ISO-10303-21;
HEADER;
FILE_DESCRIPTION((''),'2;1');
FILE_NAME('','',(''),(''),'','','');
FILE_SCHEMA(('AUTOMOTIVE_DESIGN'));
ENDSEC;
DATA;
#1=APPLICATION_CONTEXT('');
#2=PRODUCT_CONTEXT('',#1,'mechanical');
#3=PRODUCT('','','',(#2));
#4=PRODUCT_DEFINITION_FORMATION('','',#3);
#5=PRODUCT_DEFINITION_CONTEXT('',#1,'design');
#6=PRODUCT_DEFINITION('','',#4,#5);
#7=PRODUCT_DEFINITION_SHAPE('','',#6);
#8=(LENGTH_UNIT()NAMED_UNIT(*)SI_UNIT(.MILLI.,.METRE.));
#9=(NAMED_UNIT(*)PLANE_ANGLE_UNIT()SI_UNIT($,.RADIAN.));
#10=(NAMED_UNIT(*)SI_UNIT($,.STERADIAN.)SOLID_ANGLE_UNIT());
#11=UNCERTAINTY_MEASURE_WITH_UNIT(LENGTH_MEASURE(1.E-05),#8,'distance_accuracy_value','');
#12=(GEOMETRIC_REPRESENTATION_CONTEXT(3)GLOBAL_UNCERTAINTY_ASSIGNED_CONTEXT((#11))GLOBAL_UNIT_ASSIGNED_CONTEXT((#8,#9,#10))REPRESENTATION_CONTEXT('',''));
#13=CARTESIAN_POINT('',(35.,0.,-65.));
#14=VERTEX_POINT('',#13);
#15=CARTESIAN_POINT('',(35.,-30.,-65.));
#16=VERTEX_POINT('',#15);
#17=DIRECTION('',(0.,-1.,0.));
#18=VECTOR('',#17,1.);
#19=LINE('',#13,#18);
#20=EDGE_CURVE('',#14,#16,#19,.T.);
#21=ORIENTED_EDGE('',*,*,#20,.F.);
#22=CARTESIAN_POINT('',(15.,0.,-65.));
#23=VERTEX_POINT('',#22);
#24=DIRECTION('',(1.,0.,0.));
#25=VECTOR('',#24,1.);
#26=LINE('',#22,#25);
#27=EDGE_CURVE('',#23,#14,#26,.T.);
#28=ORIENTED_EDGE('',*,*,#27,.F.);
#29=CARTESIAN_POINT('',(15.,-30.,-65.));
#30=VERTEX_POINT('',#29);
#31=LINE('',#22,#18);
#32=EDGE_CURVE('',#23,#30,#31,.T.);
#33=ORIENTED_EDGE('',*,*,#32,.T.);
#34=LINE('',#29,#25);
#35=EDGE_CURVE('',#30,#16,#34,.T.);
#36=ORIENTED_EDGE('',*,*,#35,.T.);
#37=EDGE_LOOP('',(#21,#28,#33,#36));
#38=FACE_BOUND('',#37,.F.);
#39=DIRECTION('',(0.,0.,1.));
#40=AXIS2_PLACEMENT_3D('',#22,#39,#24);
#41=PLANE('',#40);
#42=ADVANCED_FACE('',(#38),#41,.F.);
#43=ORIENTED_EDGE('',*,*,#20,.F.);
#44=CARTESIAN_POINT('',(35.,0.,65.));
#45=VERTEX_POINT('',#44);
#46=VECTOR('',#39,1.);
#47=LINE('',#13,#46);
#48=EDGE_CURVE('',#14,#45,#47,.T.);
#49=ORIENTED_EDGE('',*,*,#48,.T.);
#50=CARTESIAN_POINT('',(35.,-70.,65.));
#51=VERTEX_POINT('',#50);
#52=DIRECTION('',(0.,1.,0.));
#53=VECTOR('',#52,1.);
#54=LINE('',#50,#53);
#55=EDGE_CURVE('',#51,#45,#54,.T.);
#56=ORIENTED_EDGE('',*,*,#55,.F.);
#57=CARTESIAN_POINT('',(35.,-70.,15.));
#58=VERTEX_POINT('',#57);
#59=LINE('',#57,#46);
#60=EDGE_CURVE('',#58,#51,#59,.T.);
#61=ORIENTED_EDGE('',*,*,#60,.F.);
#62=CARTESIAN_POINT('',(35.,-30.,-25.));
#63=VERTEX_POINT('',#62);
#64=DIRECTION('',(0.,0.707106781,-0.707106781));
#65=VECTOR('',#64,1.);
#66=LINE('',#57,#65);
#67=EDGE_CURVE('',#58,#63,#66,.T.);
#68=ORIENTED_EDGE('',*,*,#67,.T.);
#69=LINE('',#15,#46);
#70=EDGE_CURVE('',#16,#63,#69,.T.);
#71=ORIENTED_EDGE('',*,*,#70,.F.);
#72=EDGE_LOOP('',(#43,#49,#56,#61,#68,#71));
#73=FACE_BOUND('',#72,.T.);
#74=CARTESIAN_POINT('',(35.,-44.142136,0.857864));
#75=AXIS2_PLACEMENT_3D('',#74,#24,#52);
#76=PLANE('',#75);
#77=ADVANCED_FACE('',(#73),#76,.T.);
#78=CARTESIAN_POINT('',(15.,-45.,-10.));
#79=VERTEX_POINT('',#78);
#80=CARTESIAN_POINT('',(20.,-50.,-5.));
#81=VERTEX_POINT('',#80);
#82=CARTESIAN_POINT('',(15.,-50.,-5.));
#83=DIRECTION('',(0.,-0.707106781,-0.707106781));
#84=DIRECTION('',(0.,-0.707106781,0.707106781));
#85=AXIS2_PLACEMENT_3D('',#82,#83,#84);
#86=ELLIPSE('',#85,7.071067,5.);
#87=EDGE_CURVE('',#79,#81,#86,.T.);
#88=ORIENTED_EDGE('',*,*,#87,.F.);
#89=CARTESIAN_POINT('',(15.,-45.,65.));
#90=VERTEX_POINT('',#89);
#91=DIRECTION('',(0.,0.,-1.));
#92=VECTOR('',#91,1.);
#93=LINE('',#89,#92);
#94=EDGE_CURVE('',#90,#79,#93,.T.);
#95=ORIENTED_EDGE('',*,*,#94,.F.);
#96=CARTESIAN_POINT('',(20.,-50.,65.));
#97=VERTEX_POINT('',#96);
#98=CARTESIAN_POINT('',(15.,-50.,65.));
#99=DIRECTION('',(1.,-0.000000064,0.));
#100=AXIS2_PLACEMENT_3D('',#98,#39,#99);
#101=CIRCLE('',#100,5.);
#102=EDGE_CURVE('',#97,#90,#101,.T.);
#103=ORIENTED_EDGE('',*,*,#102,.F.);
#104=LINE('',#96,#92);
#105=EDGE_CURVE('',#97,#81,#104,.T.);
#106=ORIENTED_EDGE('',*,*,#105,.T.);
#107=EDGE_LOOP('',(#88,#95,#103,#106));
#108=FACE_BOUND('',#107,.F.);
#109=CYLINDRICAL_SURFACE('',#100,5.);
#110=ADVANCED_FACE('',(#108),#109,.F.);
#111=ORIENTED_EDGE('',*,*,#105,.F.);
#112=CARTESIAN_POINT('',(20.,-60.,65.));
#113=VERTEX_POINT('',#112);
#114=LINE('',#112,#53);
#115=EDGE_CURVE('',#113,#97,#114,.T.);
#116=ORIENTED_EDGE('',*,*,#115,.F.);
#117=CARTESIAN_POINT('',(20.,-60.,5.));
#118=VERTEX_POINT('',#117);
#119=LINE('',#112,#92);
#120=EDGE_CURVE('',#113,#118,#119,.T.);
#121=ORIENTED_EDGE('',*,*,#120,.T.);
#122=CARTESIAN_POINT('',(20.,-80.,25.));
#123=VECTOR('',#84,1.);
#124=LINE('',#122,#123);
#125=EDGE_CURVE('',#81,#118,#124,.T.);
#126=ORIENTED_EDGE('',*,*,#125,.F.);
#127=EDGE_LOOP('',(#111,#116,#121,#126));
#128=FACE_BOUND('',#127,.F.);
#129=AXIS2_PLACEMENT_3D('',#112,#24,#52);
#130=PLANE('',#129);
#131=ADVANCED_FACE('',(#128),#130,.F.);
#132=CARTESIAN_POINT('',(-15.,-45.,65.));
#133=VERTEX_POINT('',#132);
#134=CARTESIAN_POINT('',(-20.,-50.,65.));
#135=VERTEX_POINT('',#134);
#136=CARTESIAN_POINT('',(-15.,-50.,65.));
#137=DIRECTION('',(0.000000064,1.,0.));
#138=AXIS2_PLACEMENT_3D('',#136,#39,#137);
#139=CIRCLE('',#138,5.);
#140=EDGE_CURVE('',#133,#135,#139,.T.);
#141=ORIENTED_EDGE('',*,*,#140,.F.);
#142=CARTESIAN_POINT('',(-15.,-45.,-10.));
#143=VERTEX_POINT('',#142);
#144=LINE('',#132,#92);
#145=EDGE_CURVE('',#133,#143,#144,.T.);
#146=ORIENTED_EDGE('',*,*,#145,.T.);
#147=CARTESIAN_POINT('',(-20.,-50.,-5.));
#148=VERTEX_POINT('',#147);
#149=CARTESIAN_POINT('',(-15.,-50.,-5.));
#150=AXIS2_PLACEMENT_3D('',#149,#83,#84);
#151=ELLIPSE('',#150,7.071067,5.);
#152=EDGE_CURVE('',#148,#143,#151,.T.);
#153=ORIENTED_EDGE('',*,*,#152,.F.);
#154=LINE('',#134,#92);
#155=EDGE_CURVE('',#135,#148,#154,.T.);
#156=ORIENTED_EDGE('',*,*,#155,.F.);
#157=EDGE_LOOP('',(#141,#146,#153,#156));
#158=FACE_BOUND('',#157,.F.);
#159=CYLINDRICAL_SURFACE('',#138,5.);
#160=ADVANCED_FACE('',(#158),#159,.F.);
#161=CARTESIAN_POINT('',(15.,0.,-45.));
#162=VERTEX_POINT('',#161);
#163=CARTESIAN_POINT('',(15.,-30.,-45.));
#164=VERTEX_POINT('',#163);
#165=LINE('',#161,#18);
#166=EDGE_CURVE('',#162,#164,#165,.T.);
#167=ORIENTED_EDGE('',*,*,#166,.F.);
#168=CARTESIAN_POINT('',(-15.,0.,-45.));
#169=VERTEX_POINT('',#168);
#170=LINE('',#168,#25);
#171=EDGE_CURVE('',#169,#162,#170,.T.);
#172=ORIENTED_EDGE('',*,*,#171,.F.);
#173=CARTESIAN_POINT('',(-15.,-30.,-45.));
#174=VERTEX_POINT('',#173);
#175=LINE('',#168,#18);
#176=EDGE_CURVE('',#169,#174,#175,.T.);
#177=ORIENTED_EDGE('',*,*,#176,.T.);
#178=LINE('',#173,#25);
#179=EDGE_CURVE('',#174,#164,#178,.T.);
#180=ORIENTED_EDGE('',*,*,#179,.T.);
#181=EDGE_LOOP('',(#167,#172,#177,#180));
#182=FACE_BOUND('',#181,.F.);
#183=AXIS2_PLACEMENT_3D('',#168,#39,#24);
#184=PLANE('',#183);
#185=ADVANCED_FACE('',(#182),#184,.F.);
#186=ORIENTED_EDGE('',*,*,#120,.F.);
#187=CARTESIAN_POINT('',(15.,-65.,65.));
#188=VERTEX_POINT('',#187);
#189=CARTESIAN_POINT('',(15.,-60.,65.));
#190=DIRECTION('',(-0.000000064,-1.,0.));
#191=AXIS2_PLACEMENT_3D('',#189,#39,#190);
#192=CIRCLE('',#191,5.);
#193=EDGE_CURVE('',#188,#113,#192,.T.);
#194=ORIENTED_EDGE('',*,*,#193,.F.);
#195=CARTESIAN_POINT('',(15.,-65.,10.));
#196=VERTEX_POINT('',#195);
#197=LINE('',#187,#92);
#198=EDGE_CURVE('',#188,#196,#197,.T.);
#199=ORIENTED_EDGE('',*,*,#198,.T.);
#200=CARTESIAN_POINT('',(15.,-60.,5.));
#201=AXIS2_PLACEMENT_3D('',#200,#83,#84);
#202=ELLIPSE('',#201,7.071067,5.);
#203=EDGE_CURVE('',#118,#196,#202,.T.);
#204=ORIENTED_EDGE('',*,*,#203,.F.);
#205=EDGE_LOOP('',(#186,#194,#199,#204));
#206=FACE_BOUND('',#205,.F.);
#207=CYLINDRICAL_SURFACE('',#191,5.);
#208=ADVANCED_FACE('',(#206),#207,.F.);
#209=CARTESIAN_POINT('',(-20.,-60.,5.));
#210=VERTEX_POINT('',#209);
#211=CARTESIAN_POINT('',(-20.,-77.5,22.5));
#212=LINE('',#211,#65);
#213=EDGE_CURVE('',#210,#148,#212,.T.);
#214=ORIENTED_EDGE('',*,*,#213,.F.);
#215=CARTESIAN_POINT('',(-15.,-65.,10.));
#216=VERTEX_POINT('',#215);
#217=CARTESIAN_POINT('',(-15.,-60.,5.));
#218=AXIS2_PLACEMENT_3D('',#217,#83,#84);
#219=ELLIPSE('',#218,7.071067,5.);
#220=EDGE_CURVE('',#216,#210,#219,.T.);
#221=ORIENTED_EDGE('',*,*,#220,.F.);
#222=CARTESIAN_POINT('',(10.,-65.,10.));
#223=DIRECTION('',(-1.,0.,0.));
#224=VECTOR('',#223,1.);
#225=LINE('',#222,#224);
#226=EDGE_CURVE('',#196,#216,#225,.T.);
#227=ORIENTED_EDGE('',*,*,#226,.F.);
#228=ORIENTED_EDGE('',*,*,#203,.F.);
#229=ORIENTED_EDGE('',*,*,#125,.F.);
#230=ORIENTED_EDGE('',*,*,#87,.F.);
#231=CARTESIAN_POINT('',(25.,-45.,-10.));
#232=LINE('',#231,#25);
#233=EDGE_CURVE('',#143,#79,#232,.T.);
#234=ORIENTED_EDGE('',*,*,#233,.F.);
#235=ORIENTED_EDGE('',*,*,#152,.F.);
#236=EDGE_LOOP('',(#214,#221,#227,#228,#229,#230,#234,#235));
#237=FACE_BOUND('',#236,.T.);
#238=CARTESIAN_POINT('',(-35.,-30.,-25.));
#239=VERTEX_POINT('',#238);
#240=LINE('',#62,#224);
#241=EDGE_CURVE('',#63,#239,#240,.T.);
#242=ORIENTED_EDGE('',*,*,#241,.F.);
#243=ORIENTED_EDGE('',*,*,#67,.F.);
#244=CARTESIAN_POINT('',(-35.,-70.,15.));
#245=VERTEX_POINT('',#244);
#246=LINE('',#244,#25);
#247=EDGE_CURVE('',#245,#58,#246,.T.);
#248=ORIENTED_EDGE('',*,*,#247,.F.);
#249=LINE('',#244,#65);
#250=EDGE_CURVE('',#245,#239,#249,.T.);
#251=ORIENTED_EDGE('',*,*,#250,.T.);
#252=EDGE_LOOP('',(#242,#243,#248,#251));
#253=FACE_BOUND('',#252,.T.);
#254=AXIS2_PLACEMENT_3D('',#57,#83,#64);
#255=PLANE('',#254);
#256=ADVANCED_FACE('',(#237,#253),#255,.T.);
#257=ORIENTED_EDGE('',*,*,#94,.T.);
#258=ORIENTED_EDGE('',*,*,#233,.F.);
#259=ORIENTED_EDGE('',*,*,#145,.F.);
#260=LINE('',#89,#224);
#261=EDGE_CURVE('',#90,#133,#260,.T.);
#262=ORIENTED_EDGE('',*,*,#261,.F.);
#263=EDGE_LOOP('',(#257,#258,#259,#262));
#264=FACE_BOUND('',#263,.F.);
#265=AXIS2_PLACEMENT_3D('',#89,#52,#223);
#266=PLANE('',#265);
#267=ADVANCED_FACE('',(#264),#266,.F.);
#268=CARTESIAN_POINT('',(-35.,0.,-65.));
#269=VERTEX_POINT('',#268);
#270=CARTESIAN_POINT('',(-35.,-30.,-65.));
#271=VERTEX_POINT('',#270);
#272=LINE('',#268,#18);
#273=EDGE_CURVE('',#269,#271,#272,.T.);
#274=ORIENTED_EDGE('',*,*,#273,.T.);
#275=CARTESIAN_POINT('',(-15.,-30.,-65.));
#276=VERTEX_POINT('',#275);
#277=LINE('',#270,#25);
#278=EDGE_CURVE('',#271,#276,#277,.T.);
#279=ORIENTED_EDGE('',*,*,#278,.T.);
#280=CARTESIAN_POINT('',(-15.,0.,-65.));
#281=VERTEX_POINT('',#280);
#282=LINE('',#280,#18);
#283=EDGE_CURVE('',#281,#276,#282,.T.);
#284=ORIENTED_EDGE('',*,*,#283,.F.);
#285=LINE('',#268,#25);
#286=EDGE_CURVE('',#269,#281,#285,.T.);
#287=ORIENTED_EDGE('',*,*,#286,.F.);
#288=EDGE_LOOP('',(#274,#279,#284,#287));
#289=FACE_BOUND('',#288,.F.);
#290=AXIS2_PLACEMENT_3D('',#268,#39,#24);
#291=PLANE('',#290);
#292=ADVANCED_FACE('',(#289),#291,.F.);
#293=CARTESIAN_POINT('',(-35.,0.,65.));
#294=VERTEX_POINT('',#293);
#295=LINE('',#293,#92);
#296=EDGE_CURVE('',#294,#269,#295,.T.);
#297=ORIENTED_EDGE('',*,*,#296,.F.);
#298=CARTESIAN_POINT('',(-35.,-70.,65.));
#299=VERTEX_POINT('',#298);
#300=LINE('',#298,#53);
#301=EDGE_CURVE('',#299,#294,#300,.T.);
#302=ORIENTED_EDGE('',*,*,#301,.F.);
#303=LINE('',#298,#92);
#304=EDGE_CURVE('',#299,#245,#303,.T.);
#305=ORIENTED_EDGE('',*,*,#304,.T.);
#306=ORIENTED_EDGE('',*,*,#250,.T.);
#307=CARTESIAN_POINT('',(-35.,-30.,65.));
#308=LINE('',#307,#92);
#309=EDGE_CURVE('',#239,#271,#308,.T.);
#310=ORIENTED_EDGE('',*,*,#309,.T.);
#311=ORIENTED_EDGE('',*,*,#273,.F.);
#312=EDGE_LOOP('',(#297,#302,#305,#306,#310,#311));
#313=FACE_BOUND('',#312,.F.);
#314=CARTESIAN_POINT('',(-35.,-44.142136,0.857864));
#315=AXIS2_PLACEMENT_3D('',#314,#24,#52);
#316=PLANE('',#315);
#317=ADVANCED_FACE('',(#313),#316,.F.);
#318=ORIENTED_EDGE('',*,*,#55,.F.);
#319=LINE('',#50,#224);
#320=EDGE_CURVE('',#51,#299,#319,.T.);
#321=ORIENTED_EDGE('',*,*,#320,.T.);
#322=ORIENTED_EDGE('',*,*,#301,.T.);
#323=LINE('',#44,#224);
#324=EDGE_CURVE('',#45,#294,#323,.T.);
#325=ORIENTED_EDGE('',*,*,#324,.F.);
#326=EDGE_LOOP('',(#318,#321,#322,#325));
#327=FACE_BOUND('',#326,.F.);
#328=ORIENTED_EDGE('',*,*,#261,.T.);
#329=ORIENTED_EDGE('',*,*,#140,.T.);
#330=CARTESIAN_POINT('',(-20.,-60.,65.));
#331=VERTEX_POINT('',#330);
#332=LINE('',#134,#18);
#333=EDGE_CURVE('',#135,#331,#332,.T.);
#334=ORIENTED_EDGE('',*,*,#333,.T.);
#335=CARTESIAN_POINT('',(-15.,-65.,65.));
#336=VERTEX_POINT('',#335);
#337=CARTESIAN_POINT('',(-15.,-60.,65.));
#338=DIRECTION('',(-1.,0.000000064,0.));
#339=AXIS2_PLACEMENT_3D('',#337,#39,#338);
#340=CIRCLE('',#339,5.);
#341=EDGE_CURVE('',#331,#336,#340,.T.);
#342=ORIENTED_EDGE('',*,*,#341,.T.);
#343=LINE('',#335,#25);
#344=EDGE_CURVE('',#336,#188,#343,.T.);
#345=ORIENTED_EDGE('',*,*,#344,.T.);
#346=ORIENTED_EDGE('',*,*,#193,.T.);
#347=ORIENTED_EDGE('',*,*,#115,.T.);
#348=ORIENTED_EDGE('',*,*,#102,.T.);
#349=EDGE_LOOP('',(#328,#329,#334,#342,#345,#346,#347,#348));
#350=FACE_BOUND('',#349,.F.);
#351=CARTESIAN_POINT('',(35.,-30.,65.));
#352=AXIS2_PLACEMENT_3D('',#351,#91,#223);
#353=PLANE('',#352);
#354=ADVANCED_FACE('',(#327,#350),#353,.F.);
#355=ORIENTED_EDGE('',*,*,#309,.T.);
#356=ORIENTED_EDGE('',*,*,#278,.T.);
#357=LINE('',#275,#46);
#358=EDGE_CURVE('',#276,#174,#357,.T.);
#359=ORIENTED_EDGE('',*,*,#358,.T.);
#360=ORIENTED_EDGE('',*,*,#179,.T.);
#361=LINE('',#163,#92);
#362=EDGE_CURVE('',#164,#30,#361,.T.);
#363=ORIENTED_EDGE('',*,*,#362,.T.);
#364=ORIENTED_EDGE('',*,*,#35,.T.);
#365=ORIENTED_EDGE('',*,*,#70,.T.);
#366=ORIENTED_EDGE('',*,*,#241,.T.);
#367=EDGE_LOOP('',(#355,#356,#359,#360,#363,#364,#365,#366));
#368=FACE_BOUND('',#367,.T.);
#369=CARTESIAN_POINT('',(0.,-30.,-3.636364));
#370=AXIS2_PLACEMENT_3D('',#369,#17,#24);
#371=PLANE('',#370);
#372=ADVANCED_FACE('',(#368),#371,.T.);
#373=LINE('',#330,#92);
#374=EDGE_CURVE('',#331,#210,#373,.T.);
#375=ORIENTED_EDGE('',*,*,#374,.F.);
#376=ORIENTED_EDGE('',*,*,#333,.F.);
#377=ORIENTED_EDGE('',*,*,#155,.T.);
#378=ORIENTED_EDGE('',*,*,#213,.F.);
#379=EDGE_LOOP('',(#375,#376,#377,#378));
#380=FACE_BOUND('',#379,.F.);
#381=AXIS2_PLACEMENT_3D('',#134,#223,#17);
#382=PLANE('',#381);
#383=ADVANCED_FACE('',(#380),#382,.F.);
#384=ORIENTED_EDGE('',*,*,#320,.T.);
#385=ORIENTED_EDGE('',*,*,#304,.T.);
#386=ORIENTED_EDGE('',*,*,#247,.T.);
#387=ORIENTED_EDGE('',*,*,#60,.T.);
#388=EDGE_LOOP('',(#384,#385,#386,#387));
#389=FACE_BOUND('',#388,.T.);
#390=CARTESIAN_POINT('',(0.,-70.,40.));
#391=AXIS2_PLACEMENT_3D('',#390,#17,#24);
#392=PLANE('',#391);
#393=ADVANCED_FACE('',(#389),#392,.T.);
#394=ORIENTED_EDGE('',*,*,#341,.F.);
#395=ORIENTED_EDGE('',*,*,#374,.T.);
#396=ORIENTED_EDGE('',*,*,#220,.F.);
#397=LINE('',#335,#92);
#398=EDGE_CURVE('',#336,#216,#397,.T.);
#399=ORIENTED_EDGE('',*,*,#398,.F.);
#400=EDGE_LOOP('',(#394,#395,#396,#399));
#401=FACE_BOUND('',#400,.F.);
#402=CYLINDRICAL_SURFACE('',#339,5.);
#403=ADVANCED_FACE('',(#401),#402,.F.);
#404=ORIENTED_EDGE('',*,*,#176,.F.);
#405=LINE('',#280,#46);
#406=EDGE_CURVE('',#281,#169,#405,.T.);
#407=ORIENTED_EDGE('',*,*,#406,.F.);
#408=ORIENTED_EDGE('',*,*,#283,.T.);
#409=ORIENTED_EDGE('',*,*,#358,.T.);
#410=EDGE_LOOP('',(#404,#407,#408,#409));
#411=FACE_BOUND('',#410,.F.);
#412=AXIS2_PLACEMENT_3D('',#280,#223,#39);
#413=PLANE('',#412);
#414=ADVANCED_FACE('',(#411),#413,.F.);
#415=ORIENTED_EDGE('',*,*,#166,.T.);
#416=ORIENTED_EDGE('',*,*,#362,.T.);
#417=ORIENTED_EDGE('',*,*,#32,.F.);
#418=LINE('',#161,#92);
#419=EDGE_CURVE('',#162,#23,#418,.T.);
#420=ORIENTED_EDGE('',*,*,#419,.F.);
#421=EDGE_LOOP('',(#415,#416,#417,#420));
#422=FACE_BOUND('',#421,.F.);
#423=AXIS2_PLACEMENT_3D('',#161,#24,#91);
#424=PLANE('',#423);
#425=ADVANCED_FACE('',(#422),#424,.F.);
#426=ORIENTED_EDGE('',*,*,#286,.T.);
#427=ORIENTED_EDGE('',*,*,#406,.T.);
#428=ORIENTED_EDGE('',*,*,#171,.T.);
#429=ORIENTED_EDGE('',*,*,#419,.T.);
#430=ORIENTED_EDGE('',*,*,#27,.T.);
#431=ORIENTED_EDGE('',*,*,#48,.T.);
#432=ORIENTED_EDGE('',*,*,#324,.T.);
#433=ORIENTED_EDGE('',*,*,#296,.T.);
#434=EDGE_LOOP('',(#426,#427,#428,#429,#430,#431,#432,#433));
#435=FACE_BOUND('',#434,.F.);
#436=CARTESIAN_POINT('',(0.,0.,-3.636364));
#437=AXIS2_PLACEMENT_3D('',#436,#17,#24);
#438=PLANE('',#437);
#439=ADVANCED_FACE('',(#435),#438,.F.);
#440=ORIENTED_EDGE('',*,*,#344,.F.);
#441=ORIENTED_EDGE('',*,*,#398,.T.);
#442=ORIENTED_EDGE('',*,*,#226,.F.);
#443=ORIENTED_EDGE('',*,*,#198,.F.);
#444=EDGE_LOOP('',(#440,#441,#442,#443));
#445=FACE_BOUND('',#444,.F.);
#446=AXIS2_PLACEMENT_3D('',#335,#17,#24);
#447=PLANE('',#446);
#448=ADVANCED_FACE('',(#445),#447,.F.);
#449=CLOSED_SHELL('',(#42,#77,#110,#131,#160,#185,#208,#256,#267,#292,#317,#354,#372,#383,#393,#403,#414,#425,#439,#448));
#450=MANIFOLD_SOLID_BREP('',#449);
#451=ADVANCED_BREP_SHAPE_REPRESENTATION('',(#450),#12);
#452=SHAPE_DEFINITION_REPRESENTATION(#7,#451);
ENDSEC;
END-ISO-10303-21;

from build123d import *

# Parameters (mm, degrees)
F1_DEPTH = 30
F3_DEPTH = 40
F5_DEPTH = 70
F7_DEPTH = 130.001


with BuildPart() as f1:
    # F0 (on Front) → F1 (new body)
    with BuildSketch(Plane.XZ):
        Polygon((35, -45), (35, 65), (-35, 65), (-35, -45), (-35, -65), (-15, -65), (-15, -45), (15, -45), (15, -65), (35, -65), align=None)
    extrude(amount=F1_DEPTH)

    # F2 (on face) → F3 (join)
    with BuildSketch(Plane.XZ.offset(30)):
        Polygon((-20, 65), (-35, 65), (-35, 50), (-35, 30), (-35, 15), (-20, 15), (20, 15), (35, 15), (35, 30), (35, 50), (35, 65), (20, 65), align=None)
    extrude(amount=F3_DEPTH)

    # F4 (on face) → F5 (join)
    with BuildSketch(Plane.YZ.offset(35)):
        Polygon((-70, 15), (-30, -25), (-30, 15), align=None)
    extrude(amount=-F5_DEPTH)

    # F6 (on face) → F7 (cut, through all)
    with BuildSketch(Plane.XY.offset(65)):
        with BuildLine():
            Line((15, -45), (-15, -45))
            ThreePointArc((-15, -45), (-18.535534, -46.464466), (-20, -50))
            Line((-20, -50), (-20, -60))
            ThreePointArc((-20, -60), (-18.535534, -63.535534), (-15, -65))
            Line((-15, -65), (15, -65))
            ThreePointArc((15, -65), (18.535534, -63.535534), (20, -60))
            Line((20, -60), (20, -50))
            ThreePointArc((20, -50), (18.535534, -46.464466), (15, -45))
        make_face()
    extrude(amount=-F7_DEPTH, mode=Mode.SUBTRACT)


solid = f1.part
